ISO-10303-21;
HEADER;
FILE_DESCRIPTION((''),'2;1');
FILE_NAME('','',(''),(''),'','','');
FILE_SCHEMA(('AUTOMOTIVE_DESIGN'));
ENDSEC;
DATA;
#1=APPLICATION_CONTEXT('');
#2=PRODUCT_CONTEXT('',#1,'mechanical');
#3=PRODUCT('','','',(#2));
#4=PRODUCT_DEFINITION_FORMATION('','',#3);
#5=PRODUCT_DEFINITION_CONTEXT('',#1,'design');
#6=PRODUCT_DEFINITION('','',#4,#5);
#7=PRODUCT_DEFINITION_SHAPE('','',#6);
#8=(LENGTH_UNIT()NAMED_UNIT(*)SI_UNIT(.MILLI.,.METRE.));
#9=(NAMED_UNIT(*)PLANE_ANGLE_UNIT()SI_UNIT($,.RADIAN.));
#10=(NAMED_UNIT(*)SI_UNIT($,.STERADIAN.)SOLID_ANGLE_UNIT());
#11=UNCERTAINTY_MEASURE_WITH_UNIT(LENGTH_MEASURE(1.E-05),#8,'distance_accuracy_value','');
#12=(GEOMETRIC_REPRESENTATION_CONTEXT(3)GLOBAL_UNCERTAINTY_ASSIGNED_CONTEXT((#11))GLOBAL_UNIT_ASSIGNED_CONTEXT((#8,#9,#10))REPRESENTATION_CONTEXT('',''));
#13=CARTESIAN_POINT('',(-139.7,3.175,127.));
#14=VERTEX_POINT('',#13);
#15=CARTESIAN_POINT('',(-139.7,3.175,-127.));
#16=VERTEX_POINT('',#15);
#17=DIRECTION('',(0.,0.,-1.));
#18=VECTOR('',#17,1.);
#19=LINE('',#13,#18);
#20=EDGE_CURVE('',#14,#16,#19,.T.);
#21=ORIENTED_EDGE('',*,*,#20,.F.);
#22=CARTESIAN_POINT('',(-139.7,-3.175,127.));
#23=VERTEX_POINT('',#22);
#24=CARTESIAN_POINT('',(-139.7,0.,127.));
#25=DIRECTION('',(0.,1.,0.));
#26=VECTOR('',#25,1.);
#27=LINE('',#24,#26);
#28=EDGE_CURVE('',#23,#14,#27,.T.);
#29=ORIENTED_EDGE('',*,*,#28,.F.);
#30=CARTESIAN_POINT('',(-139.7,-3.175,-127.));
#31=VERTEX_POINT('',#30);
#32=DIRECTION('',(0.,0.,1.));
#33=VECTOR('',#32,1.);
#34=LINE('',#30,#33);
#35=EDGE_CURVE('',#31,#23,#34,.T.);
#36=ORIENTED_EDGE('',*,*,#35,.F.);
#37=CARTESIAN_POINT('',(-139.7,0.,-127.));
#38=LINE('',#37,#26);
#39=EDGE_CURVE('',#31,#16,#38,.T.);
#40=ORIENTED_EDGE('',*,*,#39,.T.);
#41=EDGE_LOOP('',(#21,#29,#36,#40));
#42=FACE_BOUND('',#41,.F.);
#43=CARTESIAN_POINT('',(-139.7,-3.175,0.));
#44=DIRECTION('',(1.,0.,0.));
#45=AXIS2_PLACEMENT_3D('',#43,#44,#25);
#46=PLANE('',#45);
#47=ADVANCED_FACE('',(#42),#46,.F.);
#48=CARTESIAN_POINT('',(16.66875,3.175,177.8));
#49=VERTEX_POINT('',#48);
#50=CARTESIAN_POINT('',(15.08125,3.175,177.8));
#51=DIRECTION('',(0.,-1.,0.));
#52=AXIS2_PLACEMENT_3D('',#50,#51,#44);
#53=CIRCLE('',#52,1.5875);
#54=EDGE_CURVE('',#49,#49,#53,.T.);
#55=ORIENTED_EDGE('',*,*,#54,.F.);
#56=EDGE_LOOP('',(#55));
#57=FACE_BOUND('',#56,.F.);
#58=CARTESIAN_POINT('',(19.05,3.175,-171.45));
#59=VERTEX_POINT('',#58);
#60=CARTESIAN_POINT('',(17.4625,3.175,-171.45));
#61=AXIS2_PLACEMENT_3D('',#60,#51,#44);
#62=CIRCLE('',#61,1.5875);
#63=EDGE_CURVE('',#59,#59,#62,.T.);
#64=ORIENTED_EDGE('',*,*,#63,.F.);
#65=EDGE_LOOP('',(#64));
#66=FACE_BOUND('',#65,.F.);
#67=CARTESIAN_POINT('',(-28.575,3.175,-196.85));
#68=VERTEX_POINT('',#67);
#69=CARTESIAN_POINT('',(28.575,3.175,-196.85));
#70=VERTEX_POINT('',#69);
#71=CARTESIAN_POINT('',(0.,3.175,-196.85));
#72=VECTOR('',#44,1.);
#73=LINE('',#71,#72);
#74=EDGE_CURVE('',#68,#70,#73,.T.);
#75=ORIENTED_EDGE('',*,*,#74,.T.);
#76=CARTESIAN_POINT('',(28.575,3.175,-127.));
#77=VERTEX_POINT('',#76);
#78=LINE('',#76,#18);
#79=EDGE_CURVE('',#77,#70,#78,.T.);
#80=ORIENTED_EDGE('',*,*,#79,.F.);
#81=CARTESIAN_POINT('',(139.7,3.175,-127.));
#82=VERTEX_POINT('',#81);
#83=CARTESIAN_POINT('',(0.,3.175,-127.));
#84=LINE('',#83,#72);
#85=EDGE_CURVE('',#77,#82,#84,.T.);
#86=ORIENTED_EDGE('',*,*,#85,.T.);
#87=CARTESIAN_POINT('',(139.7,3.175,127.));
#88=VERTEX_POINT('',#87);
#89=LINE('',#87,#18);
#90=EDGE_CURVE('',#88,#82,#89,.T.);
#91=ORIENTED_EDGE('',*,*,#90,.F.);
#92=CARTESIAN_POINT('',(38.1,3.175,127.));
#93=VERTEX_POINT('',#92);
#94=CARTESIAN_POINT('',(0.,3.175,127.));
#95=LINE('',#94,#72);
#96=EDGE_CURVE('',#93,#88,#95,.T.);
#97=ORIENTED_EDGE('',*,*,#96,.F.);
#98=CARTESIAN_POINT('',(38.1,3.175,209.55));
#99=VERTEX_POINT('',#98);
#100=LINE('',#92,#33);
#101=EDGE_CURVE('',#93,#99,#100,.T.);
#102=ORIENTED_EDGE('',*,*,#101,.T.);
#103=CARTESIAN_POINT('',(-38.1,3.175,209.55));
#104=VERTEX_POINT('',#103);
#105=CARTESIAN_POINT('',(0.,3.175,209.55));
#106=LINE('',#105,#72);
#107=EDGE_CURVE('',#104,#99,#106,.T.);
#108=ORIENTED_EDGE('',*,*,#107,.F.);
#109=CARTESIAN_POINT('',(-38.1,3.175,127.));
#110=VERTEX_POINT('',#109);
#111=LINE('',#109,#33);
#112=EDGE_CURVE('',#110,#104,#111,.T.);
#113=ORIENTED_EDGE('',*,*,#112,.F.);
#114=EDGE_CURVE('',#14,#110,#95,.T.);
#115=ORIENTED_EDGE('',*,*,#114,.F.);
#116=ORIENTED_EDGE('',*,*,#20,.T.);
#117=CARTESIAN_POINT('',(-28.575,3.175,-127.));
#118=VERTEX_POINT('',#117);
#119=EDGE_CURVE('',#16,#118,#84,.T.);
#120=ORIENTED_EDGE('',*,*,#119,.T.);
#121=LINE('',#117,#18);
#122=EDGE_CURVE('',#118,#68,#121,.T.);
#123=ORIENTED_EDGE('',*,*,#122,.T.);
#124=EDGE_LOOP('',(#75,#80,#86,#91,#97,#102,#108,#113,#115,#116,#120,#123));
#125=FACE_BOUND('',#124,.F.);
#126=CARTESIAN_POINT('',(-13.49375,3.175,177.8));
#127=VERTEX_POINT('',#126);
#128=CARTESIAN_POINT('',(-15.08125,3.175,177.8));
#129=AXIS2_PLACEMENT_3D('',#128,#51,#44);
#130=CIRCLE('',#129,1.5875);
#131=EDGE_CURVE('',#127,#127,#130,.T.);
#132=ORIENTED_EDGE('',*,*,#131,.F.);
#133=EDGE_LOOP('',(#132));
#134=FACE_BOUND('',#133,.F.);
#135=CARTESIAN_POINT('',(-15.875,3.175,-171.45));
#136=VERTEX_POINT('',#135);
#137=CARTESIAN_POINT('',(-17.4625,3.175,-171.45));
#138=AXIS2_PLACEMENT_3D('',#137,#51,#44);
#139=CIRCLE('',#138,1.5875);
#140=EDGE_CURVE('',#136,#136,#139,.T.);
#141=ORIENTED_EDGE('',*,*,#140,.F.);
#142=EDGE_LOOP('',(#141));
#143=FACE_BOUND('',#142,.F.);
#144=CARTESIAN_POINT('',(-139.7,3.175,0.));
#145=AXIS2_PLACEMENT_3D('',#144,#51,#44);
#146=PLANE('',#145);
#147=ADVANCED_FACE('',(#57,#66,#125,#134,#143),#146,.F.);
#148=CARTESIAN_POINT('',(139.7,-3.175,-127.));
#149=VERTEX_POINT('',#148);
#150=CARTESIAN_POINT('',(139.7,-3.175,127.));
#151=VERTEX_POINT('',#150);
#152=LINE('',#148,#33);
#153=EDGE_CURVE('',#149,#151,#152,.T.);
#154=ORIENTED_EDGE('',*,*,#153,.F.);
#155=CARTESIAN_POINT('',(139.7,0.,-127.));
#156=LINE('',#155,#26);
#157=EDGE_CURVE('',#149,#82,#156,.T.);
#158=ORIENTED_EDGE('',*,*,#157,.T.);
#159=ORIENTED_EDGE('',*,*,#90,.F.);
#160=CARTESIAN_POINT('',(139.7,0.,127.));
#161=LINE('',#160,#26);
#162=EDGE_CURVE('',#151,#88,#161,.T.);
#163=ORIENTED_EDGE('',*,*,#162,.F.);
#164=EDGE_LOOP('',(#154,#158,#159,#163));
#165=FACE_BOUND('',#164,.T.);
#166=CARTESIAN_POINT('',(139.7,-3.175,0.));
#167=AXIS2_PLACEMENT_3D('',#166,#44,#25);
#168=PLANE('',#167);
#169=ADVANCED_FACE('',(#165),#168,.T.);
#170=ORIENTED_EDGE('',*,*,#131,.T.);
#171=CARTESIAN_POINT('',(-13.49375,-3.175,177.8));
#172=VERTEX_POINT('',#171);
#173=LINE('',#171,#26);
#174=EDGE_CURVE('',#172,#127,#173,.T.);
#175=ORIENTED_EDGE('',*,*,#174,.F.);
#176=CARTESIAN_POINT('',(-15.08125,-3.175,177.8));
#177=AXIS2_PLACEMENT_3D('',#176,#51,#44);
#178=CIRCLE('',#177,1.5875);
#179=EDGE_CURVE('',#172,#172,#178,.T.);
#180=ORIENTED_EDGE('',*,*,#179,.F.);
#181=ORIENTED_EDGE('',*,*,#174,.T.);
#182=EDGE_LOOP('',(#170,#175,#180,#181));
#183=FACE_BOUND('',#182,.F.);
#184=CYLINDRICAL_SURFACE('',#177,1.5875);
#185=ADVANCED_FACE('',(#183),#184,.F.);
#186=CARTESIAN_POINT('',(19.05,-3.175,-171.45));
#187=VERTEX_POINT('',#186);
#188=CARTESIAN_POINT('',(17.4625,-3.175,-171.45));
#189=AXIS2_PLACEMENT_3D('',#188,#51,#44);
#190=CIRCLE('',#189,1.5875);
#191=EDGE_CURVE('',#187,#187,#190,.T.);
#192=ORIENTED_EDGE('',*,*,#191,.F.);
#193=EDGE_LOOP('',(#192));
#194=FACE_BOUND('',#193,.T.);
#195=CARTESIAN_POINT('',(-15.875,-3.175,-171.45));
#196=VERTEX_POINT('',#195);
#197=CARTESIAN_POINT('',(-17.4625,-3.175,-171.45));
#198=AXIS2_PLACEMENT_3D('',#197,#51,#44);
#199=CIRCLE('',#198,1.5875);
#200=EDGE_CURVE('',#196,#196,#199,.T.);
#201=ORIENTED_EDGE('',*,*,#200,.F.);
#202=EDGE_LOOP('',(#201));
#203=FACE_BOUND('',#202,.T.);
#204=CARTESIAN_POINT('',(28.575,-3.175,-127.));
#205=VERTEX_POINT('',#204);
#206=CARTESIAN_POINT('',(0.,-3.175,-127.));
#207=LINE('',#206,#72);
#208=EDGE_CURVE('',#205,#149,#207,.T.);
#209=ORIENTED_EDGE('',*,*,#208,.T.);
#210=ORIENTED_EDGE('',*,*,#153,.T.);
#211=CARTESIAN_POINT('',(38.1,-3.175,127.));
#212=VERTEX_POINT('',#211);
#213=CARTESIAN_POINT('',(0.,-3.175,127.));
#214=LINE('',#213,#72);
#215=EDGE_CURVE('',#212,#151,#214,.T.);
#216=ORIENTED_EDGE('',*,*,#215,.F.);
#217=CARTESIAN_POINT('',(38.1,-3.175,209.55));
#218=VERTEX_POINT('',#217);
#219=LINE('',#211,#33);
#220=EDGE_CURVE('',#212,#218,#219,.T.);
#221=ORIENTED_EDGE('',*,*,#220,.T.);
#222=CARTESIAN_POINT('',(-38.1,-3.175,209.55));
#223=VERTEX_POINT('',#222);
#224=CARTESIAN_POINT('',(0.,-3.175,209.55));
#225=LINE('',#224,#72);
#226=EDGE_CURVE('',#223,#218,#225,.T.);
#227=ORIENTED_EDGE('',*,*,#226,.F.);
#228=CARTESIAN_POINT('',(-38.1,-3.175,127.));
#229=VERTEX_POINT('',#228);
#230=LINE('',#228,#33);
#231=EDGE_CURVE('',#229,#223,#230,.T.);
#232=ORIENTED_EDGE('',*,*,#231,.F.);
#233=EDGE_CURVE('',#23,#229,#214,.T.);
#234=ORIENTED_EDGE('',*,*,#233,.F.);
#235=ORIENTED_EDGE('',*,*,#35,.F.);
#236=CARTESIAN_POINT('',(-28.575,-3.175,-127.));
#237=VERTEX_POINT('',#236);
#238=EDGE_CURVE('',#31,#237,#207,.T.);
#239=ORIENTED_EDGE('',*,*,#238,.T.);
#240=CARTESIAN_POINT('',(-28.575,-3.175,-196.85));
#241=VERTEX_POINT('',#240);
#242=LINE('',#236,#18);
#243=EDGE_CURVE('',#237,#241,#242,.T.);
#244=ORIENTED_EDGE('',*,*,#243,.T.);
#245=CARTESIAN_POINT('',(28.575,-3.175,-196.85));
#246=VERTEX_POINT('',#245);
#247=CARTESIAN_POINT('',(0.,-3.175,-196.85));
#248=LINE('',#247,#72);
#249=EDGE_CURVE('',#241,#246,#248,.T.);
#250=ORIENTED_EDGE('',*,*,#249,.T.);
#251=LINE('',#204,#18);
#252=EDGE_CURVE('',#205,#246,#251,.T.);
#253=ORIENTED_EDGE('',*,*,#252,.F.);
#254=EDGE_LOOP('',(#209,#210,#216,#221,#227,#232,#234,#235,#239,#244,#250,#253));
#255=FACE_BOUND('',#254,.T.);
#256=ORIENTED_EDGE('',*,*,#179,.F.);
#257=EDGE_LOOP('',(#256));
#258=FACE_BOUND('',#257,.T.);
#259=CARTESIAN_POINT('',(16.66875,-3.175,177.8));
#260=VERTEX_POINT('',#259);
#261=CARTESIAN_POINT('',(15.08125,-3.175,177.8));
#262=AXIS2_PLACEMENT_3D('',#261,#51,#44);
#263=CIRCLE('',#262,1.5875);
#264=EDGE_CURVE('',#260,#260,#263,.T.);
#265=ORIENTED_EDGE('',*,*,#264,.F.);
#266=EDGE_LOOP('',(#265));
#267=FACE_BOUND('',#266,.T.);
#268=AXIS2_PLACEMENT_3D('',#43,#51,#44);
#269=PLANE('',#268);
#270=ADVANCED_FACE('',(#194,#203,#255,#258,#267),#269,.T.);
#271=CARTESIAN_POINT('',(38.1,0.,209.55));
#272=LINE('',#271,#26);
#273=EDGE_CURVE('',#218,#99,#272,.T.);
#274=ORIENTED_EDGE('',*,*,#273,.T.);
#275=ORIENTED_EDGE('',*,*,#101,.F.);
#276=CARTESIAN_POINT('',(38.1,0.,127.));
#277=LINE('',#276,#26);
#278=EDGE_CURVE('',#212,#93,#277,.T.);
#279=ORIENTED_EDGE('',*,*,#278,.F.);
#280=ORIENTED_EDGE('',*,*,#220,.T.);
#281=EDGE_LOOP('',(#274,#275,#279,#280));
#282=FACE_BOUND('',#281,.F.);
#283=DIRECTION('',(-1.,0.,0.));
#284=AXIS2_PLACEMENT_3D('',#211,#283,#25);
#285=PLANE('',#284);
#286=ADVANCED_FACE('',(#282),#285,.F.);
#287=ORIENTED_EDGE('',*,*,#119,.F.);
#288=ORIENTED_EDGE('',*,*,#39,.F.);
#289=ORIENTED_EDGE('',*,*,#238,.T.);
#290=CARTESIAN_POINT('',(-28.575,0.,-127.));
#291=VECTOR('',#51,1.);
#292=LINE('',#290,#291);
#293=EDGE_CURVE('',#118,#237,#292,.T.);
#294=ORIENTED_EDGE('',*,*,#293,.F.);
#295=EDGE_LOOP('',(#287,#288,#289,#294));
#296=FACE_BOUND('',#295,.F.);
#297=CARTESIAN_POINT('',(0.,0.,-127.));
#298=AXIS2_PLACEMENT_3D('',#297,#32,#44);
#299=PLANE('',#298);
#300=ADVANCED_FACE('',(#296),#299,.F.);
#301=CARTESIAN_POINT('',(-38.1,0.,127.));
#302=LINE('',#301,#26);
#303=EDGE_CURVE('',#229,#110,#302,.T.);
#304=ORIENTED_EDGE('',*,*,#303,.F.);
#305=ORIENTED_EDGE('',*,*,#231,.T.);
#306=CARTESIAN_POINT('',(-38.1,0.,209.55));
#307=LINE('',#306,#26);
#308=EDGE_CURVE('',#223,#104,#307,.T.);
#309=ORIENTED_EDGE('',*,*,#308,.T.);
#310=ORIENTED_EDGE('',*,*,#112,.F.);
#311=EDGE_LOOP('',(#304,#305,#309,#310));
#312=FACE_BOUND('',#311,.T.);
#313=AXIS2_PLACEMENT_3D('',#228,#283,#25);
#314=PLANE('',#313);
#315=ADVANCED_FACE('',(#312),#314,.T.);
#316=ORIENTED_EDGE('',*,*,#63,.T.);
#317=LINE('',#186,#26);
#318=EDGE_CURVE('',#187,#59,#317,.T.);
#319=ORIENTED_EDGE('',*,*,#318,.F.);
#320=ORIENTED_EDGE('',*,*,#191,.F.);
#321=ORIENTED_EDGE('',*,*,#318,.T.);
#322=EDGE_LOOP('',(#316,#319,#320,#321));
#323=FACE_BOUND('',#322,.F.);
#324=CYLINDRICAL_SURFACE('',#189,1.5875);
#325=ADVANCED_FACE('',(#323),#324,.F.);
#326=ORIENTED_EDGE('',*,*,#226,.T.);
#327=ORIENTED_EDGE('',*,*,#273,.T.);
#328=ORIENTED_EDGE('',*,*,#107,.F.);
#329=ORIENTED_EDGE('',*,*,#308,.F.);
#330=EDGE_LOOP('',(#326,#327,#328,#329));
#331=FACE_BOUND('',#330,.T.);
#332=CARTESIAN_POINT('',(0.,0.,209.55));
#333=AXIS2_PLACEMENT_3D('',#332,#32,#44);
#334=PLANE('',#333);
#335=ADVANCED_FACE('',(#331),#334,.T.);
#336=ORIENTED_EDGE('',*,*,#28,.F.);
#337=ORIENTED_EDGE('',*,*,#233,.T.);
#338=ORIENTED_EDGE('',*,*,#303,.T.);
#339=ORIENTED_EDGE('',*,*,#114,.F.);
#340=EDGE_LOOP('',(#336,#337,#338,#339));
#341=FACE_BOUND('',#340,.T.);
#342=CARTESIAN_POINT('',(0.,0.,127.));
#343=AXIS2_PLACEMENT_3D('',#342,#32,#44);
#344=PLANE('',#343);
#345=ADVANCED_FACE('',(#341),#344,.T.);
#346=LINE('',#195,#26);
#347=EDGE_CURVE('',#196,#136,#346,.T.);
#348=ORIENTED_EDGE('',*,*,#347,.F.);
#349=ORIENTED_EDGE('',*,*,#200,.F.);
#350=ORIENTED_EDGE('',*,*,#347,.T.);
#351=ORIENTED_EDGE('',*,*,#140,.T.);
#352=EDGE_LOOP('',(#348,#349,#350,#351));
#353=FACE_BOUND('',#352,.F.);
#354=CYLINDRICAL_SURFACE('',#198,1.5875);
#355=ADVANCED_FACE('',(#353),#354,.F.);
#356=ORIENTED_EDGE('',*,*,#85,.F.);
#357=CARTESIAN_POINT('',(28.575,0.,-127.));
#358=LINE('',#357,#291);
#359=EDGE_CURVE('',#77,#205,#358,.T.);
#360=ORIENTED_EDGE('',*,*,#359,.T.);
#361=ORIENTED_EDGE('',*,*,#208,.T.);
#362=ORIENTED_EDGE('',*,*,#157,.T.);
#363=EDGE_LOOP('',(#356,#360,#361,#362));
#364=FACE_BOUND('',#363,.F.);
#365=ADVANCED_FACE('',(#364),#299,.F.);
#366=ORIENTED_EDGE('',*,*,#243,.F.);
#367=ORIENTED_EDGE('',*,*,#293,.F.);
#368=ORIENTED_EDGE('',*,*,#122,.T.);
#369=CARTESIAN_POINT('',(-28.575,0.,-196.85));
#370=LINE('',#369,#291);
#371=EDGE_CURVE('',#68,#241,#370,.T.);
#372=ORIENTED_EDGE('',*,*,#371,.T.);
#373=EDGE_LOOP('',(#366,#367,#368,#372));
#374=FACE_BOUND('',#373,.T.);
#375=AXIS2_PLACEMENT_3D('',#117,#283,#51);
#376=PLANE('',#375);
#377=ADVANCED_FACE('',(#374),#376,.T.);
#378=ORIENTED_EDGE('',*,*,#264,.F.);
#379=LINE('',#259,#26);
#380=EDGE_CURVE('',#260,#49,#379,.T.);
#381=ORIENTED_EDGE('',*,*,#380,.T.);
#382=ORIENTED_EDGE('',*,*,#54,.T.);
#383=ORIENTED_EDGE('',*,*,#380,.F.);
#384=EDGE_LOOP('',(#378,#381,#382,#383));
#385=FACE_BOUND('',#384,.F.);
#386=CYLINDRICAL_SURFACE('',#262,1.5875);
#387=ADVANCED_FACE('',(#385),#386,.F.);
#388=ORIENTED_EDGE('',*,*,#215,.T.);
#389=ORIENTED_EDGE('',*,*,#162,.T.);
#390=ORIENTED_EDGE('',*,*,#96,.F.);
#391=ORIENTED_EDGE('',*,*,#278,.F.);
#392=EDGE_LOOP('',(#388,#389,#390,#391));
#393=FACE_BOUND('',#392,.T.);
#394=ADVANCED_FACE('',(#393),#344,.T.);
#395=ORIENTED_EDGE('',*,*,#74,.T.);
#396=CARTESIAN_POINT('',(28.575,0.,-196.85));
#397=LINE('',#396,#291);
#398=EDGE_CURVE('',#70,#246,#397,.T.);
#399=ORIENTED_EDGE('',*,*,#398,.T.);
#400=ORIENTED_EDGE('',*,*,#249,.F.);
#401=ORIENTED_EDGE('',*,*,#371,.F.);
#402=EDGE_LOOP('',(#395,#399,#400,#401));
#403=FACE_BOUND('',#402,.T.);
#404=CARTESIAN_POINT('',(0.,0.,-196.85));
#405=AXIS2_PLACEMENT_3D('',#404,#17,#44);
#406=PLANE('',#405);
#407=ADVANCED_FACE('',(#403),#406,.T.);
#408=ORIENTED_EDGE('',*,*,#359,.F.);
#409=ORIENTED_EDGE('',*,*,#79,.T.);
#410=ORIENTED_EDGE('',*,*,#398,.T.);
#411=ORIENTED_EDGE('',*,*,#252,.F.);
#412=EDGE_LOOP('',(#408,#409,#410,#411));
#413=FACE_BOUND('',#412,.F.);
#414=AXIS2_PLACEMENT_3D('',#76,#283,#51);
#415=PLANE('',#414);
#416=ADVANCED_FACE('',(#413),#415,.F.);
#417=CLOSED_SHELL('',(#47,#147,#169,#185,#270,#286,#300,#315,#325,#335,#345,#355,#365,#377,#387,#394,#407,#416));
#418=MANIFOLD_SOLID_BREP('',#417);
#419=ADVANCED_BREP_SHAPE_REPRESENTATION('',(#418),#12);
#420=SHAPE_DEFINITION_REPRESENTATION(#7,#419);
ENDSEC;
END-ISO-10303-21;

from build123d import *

# Parameters (mm, degrees)
F0_W          = 279.4
F0_H          = 6.35
F1_DEPTH      = 127
F1_DEPTH_BACK = 127
F2_W          = 76.2
F2_H          = 6.35
F3_DEPTH      = 82.55
F4_W          = 57.15
F4_H          = 6.35
F5_DEPTH      = 69.85
F6_R          = 1.5875
F7_DEPTH      = 6.351
F8_R          = 1.5875
F9_DEPTH      = 6.351


with BuildPart() as f1:
    # F0 (on Top) → F1 (new body, two sides)
    with BuildSketch(Plane.XY) as f1_sk:
        Rectangle(F0_W, F0_H)
    extrude(amount=F1_DEPTH)
    extrude(f1_sk.sketch, amount=-F1_DEPTH_BACK)

    # F0 (on Top) + F2 (on face) → F3 (join)
    with BuildSketch(Plane.XY):
        Rectangle(F0_W, F0_H)
    with BuildSketch(Plane.XY.offset(127)):
        Rectangle(F2_W, F2_H)
    extrude(amount=F3_DEPTH)

    # F4 (on face) → F5 (join)
    with BuildSketch(Plane(origin=(0, 0, -127), x_dir=(1, 0, 0), z_dir=(0, 0, -1))):
        Rectangle(F4_W, F4_H)
    extrude(amount=F5_DEPTH)

    # F6 (on face) → F7 (cut, through all)
    with BuildSketch(Plane.XZ.offset(3.175)):
        with Locations((-17.4625, -171.45)):
            Circle(F6_R)
        with Locations((17.4625, -171.45)):
            Circle(F6_R)
    extrude(amount=-F7_DEPTH, mode=Mode.SUBTRACT)

    # F8 (on face) → F9 (cut, through all)
    with BuildSketch(Plane.XZ.offset(3.175)):
        with Locations((-15.08125, 177.8)):
            Circle(F8_R)
        with Locations((15.08125, 177.8)):
            Circle(F8_R)
    extrude(amount=-F9_DEPTH, mode=Mode.SUBTRACT)


solid = f1.part
